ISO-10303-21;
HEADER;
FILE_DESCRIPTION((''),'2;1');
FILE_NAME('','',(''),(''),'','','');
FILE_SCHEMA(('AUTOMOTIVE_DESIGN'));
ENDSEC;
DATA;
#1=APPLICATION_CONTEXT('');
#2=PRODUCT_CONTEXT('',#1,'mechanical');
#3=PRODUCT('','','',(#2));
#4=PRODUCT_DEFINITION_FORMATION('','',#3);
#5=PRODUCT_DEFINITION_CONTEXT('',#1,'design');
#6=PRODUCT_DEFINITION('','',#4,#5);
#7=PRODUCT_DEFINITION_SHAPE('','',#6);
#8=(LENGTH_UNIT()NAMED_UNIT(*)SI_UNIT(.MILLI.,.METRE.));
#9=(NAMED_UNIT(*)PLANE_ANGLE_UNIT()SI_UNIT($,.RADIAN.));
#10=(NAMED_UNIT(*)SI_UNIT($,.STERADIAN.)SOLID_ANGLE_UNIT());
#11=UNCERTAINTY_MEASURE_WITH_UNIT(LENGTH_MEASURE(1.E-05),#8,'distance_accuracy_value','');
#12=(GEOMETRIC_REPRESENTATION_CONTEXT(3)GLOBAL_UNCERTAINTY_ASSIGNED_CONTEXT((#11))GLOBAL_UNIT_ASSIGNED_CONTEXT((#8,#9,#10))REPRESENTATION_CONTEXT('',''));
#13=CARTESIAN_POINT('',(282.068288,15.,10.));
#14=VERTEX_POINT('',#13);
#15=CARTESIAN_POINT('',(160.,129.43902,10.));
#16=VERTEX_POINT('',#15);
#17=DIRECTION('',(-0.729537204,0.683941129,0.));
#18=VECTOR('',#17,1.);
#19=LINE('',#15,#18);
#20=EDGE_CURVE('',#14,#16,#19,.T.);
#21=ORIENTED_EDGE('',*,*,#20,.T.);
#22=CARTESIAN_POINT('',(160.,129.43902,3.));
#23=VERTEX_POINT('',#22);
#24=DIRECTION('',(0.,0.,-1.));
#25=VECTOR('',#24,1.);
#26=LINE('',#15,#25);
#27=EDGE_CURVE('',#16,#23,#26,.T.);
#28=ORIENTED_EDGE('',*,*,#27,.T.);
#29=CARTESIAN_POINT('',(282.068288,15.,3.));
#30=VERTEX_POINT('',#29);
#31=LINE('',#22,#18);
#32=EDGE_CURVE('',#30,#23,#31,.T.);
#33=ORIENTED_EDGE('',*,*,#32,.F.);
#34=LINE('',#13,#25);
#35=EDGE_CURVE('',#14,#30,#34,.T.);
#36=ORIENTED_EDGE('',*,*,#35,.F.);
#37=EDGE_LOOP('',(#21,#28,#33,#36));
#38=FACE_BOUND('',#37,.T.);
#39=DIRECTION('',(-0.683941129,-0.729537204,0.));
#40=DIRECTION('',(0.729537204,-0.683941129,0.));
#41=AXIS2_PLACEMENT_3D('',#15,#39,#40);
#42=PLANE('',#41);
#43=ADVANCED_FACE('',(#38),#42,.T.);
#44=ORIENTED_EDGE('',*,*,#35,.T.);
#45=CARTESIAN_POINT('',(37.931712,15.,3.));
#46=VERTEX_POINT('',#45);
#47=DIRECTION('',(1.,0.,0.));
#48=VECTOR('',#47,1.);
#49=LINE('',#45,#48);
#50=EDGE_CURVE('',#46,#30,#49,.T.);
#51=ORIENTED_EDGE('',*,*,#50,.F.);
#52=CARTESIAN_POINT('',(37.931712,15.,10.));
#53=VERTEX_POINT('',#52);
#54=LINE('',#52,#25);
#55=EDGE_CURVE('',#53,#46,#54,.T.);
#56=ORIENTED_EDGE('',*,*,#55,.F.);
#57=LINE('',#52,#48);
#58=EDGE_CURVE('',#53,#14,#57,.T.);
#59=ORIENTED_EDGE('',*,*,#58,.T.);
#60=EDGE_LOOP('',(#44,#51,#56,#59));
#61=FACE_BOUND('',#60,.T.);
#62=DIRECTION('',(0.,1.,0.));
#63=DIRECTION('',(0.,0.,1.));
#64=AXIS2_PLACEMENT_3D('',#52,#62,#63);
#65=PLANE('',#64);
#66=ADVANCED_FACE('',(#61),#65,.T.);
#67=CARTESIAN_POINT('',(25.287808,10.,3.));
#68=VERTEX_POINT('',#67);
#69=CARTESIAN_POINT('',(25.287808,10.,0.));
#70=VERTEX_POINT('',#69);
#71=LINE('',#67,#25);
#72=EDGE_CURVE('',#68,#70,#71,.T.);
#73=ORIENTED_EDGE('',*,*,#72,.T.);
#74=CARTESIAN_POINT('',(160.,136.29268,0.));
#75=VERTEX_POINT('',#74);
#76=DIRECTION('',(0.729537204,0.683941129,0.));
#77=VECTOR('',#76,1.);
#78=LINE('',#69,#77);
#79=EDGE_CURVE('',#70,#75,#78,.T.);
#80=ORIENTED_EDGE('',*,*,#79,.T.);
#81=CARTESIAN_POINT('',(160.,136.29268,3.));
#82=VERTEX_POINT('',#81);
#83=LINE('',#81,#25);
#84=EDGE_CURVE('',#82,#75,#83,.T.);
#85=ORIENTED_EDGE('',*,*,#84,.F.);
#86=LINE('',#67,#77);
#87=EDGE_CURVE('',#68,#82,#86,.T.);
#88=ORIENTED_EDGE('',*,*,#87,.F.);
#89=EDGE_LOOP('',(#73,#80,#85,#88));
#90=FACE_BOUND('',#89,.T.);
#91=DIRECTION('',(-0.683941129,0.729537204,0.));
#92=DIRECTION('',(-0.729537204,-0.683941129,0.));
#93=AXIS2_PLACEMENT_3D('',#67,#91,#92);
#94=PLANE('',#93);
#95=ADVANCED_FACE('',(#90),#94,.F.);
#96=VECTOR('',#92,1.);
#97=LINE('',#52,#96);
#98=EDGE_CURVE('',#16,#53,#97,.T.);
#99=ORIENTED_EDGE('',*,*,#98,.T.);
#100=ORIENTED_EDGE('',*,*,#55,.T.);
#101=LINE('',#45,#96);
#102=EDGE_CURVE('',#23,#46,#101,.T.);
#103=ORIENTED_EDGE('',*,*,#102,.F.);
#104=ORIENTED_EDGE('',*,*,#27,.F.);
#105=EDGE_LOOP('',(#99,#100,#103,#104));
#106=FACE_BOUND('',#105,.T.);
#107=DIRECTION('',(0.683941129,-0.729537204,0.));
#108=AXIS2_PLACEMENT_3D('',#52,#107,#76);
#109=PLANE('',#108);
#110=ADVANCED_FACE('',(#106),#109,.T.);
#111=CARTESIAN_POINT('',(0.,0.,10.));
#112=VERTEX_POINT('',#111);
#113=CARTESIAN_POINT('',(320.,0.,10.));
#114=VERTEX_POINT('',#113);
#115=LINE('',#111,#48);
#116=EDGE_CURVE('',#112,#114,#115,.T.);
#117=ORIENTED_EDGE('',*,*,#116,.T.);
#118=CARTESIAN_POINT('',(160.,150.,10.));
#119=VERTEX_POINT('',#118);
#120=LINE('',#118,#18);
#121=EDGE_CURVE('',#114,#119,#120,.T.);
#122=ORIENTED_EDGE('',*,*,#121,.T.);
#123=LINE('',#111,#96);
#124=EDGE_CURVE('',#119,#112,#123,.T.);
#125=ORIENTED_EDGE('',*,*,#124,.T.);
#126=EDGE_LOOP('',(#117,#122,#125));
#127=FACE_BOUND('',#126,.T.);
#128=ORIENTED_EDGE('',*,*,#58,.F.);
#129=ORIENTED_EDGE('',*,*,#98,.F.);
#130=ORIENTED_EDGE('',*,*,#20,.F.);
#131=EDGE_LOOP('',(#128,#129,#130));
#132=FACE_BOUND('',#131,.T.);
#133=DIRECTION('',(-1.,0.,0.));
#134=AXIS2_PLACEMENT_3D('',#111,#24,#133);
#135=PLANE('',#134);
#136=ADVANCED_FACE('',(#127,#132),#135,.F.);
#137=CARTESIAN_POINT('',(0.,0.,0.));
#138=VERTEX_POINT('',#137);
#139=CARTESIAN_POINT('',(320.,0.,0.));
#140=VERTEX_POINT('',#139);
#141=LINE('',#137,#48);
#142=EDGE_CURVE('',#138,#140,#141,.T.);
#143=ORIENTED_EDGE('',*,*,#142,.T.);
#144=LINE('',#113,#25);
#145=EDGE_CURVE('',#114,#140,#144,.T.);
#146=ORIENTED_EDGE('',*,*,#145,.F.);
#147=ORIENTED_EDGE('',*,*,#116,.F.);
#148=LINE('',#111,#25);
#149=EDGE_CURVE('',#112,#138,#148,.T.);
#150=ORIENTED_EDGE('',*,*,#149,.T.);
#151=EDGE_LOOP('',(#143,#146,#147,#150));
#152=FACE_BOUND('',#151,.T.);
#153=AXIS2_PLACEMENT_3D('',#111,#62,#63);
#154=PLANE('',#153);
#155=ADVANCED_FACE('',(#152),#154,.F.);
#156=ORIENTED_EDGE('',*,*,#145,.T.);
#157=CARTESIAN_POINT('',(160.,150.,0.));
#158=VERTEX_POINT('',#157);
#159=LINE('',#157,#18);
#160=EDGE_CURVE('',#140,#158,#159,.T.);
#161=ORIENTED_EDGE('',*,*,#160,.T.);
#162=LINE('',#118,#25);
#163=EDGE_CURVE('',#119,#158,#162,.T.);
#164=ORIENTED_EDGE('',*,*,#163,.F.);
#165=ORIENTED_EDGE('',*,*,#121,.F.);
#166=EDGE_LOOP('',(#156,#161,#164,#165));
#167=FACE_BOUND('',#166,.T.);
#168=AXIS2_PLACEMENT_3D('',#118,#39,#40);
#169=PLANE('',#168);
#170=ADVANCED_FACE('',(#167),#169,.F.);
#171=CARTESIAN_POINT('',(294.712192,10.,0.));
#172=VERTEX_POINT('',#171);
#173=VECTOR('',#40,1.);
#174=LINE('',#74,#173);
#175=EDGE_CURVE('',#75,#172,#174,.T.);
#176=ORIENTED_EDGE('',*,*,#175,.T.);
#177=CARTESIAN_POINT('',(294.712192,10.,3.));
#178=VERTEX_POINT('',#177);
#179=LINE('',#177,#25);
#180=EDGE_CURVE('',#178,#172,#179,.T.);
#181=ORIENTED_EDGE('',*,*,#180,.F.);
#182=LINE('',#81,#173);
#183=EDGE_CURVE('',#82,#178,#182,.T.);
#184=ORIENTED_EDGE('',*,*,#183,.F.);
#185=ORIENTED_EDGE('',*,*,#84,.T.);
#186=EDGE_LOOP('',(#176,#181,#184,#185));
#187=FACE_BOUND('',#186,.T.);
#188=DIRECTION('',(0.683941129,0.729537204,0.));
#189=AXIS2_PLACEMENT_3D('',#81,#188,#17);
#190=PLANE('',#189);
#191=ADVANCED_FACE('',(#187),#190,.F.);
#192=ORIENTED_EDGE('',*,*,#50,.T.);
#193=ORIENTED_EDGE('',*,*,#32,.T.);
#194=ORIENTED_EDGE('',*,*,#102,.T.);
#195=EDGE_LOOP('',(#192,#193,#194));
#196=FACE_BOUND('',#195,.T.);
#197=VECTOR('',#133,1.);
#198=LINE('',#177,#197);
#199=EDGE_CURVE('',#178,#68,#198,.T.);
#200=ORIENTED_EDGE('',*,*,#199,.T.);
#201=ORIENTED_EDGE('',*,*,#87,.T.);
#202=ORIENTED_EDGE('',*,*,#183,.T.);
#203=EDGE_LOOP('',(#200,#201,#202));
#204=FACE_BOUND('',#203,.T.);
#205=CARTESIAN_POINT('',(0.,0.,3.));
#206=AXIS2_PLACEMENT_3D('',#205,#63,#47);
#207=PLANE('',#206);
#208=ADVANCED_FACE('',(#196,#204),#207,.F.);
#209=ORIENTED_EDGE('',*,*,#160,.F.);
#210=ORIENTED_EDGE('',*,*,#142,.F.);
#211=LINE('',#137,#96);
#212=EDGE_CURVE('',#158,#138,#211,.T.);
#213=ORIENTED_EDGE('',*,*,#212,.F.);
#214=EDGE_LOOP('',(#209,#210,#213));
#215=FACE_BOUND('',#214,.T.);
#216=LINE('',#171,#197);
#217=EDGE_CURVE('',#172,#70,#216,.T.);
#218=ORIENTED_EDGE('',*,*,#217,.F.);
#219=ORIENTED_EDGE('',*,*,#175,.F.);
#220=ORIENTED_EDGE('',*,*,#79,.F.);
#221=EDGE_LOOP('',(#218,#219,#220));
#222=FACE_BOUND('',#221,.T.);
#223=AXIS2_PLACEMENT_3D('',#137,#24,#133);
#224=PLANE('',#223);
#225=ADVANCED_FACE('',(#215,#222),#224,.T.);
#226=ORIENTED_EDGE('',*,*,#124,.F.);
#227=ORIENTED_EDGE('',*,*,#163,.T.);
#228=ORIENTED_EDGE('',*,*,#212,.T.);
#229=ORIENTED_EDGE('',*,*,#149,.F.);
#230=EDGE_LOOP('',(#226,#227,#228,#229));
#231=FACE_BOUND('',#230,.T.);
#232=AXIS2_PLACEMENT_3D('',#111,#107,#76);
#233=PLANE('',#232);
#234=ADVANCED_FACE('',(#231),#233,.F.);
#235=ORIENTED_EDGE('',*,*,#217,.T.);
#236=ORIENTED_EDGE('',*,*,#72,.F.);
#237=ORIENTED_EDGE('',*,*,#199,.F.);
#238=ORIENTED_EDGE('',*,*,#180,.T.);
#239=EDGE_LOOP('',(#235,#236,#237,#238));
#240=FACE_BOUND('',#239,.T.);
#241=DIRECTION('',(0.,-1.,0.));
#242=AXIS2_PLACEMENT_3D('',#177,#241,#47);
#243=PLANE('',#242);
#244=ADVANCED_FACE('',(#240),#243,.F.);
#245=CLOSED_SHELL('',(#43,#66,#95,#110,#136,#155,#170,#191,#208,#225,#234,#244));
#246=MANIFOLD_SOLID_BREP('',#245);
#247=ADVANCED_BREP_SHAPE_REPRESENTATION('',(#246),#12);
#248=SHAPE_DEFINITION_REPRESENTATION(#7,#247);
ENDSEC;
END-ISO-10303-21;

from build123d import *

# Parameters (mm, degrees)
SALIENTE_EXTRUIR1_DEPTH = 10
CORTAR_EXTRUIR1_DEPTH   = 3


with BuildPart() as part:
    # Croquis1 → Saliente-Extruir1 (new body)
    with BuildSketch(Plane.XY):
        Polygon((0, 0), (320, 0), (160, 150), align=None)
        Polygon((160, 129.439019813), (282.068287801, 15), (37.931712199, 15), align=None, mode=Mode.SUBTRACT)
    extrude(amount=SALIENTE_EXTRUIR1_DEPTH)

    # Croquis2 → Cortar-Extruir1 (cut)
    with BuildSketch(Plane(origin=(0, 0, 0), x_dir=(-1, 0, 0), z_dir=(0, 0, -1))):
        Polygon((-294.712191867, 10), (-25.287808133, 10), (-160, 136.292679875), align=None)
    extrude(amount=-CORTAR_EXTRUIR1_DEPTH, mode=Mode.SUBTRACT)


solid = part.part
